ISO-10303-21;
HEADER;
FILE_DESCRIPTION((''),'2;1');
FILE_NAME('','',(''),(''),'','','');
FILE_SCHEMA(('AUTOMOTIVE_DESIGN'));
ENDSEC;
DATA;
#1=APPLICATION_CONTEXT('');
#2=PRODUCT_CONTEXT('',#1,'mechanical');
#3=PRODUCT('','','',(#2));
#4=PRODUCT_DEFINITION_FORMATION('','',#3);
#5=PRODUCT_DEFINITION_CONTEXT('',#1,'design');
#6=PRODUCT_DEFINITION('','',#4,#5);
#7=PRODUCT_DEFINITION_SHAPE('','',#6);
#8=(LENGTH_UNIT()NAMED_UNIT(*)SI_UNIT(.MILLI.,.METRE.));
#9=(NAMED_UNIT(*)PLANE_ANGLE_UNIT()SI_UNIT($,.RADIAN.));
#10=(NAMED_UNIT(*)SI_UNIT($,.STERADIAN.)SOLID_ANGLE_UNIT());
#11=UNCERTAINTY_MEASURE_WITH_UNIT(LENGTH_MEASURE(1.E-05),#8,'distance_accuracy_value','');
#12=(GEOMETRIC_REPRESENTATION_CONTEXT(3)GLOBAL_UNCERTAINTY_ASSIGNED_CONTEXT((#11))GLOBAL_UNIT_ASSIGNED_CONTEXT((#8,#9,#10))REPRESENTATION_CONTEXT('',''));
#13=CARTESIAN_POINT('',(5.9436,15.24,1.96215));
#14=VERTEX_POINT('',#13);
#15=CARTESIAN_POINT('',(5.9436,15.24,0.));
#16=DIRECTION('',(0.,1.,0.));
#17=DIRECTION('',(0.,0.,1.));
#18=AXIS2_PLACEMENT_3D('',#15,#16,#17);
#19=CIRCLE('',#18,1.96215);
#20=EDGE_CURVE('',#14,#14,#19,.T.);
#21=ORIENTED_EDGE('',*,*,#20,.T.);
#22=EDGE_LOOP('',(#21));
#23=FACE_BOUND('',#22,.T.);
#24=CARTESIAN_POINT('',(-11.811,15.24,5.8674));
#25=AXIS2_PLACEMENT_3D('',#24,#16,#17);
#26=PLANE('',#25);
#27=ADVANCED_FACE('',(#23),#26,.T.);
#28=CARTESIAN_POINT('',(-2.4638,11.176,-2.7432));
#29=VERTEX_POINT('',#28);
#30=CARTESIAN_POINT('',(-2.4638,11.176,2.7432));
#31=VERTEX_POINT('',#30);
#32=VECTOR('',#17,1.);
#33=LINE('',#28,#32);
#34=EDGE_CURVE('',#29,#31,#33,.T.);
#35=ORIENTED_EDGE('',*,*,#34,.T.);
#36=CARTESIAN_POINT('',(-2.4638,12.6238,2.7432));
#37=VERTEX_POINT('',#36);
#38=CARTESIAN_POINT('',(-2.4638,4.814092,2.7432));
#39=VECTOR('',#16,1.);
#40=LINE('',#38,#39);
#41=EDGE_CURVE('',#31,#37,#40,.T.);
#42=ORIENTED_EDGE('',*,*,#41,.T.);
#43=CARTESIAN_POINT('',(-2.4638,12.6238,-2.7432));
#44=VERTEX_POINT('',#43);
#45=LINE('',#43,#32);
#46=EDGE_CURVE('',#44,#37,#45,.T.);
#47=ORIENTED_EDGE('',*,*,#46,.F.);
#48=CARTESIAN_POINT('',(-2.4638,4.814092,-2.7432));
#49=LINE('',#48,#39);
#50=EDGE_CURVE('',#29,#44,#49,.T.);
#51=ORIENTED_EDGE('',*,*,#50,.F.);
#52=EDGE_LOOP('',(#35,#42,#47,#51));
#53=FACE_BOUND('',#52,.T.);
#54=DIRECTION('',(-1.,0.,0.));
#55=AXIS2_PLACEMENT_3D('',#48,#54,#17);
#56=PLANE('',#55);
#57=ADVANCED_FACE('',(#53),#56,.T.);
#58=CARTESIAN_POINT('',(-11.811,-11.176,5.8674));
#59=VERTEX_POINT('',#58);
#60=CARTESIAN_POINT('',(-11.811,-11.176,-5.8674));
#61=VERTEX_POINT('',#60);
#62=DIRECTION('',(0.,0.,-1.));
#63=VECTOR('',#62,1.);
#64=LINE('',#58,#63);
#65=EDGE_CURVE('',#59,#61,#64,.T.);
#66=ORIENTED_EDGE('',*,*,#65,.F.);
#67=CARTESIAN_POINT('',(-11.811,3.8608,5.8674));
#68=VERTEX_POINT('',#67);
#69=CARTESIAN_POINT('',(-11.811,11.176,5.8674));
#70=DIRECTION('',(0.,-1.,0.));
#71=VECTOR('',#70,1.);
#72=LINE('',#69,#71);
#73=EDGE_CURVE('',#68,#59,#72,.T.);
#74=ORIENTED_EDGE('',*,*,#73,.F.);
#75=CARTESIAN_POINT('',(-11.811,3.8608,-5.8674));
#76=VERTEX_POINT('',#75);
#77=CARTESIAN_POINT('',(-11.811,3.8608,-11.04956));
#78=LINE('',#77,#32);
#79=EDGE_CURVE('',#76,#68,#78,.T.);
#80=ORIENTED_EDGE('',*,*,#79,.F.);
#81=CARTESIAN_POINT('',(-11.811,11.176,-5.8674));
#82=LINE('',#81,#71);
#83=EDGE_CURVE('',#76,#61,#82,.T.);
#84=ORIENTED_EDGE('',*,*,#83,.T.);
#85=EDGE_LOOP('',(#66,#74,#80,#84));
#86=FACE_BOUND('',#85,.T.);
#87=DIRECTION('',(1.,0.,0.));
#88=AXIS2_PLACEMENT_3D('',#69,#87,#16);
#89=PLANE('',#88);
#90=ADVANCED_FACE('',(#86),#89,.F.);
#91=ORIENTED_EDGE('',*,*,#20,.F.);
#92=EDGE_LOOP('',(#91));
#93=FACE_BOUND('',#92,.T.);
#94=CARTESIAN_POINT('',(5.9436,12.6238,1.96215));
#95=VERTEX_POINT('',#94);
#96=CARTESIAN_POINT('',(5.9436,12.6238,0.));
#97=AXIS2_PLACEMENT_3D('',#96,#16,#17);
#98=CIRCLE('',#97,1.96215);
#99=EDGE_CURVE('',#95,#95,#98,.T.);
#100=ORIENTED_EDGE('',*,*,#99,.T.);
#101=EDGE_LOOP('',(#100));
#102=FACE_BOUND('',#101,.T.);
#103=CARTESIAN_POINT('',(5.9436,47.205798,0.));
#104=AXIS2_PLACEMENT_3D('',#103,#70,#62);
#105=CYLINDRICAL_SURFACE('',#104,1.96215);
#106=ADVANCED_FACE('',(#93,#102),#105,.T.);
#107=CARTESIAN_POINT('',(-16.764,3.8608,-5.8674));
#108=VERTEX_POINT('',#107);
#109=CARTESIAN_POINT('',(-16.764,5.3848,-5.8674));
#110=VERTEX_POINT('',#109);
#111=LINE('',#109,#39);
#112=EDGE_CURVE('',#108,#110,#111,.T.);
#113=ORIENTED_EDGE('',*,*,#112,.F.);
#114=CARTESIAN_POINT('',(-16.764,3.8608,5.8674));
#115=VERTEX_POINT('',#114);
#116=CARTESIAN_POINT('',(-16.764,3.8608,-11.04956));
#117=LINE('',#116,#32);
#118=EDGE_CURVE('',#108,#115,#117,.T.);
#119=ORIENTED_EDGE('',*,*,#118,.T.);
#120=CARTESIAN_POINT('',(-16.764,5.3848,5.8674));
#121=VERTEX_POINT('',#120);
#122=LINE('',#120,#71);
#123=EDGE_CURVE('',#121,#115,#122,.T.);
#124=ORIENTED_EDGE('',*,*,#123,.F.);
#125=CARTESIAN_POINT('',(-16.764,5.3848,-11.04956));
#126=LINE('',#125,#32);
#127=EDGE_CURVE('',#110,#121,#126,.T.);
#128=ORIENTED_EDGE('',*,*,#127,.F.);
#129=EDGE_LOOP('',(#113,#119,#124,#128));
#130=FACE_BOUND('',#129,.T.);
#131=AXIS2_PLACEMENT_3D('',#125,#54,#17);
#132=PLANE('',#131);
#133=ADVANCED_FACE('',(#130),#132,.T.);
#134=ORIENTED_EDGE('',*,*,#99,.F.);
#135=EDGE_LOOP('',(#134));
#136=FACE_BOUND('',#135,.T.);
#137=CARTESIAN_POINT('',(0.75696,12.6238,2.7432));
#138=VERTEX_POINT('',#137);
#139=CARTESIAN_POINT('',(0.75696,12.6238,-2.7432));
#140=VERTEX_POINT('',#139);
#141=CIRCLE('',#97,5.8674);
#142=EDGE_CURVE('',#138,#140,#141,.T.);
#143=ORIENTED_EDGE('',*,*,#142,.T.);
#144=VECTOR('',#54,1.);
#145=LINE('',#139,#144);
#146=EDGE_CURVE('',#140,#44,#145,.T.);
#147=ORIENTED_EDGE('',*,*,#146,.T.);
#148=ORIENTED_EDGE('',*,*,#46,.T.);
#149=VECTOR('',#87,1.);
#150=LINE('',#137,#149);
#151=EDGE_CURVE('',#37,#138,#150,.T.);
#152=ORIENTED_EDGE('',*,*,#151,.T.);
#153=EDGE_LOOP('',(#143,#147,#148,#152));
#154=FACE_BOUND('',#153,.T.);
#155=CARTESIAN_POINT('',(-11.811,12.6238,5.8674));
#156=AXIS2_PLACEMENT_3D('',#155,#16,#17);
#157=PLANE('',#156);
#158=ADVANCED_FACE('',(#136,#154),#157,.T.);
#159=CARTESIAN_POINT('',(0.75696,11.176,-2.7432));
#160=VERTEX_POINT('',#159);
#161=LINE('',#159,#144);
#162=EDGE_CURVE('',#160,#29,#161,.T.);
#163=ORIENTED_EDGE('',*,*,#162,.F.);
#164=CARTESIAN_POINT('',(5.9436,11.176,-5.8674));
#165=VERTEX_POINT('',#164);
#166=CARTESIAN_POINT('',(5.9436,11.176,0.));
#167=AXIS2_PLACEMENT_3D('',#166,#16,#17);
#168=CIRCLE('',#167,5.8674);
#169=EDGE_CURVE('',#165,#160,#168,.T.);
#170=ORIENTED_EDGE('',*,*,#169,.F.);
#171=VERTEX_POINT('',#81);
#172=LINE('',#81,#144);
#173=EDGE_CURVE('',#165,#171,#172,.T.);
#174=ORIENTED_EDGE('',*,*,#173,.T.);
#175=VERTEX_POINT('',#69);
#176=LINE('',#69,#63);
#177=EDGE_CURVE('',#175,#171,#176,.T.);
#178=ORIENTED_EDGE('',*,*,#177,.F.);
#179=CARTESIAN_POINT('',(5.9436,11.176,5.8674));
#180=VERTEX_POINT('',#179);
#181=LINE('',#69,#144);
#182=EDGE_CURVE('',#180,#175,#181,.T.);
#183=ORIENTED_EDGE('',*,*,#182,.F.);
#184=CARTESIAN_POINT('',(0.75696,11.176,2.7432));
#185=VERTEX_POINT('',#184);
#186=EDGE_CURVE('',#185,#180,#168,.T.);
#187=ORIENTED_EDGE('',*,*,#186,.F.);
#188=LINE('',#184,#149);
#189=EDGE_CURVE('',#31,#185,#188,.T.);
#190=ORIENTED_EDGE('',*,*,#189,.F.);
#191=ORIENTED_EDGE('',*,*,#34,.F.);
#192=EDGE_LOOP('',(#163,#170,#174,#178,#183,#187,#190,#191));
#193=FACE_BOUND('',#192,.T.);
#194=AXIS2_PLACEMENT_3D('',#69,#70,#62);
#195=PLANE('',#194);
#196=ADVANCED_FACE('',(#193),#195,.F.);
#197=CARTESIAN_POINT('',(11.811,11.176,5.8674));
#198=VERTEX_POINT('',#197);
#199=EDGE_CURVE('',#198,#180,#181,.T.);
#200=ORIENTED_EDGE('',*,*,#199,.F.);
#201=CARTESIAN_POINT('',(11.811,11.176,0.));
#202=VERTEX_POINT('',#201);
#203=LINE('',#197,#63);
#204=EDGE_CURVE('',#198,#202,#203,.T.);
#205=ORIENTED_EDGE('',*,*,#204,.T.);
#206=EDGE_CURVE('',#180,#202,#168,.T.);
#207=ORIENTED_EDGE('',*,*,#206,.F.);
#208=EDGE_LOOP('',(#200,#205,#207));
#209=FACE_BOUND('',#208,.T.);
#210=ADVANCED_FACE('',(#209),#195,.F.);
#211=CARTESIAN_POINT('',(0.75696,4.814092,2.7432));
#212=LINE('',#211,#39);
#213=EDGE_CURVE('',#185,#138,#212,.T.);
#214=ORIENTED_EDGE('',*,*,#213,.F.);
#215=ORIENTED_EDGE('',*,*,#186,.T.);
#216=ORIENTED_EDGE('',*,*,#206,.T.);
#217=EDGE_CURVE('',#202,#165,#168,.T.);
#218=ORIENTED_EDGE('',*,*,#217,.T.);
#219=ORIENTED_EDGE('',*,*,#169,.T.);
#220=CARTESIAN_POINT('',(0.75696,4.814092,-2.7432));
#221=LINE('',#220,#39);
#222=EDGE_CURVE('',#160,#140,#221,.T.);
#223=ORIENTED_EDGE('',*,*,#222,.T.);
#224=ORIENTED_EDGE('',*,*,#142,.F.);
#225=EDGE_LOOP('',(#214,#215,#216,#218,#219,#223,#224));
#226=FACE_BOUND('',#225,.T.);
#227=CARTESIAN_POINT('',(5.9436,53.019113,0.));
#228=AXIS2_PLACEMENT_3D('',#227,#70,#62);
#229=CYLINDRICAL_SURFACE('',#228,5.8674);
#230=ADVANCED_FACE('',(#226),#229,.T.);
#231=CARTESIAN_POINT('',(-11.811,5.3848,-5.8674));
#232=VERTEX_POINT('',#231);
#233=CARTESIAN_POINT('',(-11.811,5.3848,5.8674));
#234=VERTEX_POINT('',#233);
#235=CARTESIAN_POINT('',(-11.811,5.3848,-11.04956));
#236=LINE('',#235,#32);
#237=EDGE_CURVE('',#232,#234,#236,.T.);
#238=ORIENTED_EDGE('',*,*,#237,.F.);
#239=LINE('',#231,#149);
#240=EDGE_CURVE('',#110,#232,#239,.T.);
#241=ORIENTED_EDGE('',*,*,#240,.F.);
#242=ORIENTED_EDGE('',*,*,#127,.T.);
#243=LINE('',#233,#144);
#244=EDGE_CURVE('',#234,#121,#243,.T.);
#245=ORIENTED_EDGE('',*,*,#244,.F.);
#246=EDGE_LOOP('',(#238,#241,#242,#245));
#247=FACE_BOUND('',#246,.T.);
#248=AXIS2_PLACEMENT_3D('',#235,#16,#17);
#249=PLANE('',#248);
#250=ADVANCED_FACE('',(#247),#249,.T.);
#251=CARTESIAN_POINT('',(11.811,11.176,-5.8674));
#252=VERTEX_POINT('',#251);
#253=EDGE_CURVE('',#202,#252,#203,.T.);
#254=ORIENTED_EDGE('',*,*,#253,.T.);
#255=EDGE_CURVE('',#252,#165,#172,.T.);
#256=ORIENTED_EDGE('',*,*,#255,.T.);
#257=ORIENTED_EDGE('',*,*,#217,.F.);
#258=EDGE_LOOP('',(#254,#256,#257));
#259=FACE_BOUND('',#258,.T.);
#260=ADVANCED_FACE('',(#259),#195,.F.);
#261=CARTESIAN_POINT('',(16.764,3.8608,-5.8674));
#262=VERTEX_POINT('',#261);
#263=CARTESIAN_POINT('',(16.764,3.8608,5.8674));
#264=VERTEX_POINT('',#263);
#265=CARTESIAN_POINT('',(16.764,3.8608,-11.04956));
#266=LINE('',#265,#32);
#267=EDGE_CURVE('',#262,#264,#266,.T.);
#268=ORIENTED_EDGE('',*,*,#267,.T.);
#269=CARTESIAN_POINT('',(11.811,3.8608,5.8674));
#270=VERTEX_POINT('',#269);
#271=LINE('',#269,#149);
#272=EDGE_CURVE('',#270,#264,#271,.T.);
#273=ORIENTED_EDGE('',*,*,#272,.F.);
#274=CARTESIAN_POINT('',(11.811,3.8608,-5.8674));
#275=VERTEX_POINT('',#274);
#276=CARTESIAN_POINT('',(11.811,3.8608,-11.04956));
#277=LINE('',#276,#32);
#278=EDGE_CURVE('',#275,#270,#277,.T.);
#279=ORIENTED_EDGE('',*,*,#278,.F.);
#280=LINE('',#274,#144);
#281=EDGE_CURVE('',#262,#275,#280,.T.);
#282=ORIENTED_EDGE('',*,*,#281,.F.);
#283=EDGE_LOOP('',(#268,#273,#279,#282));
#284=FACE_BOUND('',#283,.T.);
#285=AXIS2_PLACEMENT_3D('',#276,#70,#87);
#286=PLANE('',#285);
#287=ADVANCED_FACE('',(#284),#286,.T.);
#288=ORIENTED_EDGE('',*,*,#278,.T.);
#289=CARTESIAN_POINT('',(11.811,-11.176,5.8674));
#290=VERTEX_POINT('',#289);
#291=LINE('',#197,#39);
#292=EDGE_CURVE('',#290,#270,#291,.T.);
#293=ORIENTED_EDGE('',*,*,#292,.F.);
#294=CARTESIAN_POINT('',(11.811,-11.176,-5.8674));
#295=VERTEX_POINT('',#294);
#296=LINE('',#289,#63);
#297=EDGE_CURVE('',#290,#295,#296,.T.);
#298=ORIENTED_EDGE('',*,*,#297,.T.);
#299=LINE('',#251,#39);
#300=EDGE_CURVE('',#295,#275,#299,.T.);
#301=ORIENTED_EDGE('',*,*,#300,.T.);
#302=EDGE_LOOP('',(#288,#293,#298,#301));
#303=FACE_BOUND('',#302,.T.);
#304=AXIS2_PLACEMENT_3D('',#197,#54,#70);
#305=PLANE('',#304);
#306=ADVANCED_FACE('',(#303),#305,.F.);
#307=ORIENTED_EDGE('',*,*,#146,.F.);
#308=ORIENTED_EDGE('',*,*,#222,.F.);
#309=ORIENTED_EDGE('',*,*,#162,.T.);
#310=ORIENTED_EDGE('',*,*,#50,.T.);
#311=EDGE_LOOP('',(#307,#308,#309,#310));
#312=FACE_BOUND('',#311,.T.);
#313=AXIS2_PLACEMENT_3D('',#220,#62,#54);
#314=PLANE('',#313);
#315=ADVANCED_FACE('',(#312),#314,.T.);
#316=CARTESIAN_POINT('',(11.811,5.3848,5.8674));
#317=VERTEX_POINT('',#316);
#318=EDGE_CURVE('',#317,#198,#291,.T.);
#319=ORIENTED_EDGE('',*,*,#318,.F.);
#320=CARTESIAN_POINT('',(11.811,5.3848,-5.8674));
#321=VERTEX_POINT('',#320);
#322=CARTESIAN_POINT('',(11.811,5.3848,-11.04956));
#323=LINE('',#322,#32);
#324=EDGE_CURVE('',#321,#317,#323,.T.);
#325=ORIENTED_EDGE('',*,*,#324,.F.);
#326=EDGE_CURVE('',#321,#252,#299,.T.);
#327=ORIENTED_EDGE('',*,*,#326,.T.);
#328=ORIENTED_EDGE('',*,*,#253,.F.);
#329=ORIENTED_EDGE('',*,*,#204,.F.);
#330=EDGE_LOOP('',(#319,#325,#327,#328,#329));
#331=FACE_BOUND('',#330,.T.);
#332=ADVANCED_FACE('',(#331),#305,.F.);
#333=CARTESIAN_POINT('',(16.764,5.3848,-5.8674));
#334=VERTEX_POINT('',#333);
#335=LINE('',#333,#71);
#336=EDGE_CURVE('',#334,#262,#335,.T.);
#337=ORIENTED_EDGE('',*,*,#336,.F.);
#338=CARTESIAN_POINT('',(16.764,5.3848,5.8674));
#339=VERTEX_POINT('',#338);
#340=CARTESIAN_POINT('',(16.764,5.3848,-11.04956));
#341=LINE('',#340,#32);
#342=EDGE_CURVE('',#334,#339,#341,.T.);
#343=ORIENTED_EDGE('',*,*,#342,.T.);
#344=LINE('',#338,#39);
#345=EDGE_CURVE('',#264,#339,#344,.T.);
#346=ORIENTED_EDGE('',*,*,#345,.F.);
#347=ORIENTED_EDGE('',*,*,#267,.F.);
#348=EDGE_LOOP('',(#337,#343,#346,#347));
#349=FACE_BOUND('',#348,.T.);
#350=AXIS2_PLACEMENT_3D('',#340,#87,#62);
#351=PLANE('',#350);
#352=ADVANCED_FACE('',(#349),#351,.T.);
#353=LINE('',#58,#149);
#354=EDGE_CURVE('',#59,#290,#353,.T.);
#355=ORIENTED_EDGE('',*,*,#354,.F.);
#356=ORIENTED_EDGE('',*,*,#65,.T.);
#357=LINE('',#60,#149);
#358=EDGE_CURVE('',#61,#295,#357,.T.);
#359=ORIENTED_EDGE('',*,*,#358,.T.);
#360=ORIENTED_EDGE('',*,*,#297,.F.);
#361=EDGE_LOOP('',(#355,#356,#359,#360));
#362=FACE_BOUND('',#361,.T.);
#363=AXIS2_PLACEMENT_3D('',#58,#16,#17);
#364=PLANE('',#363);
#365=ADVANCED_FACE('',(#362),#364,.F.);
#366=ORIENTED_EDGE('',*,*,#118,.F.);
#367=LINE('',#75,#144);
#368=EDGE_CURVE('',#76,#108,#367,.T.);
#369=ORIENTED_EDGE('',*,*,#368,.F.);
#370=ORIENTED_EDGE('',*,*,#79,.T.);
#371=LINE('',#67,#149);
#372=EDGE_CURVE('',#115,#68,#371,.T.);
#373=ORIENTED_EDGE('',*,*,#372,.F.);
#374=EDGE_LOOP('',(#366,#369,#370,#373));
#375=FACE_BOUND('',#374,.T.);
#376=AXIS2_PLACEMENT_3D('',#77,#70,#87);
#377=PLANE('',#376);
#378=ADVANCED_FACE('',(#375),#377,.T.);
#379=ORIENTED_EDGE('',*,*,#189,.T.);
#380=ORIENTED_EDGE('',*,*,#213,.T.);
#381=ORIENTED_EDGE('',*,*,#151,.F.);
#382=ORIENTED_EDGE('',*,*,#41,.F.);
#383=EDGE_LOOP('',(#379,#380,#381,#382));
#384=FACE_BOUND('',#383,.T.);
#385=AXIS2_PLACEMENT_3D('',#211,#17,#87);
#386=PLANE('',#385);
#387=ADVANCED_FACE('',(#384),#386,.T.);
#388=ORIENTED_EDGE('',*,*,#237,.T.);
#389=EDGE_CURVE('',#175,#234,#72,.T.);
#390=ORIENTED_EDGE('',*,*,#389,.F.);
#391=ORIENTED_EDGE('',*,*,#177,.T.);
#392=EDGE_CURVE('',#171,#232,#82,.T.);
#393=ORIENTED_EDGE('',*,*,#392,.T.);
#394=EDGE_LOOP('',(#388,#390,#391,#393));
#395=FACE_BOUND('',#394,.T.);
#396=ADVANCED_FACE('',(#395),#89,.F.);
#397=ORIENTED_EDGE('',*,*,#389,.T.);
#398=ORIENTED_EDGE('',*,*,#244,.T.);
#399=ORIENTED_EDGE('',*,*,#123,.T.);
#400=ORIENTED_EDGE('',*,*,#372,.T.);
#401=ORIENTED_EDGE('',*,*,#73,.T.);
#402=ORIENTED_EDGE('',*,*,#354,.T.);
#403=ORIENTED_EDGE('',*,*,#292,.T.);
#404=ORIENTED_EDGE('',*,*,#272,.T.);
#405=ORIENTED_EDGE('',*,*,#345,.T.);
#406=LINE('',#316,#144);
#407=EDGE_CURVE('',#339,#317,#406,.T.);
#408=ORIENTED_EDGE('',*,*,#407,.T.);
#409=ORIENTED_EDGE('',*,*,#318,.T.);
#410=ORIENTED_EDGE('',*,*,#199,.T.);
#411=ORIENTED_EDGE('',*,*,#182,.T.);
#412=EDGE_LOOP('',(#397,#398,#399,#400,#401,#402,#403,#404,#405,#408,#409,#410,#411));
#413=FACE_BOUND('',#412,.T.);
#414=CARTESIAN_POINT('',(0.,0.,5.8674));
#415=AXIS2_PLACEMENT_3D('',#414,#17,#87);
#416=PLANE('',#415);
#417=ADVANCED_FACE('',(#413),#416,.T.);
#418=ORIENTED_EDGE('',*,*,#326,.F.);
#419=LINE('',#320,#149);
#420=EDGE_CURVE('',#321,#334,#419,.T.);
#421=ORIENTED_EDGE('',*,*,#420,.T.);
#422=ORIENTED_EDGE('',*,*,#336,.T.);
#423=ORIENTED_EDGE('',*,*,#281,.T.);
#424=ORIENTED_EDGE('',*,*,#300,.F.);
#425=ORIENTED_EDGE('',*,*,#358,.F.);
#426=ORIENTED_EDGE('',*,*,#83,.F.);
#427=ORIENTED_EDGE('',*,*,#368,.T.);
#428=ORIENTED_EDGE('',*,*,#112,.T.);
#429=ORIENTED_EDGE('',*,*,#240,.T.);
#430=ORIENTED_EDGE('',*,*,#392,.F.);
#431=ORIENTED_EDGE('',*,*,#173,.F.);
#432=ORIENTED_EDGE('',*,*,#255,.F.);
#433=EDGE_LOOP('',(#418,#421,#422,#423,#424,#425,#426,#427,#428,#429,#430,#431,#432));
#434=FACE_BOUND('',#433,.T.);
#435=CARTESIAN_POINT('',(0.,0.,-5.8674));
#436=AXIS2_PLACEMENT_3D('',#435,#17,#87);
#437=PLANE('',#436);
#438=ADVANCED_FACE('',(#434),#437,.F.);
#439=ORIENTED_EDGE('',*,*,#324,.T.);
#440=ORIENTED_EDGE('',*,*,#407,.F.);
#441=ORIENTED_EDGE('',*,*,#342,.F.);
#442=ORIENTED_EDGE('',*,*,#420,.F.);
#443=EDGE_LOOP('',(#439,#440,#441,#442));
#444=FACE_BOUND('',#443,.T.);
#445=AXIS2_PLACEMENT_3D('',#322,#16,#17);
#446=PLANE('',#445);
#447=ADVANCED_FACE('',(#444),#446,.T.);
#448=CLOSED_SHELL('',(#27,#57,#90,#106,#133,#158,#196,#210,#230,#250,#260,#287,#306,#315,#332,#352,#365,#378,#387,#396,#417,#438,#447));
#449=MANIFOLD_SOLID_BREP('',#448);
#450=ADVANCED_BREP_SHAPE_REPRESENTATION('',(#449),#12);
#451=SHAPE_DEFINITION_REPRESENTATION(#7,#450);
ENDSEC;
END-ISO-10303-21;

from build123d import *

# Parameters (mm, degrees)
SKETCH1_W           = 23.622
SKETCH1_H           = 22.352
BOSS_EXTRUDE1_DEPTH = 5.8674
SKETCH3_W           = 4.953
SKETCH3_H           = 1.524
BOSS_EXTRUDE2_DEPTH = 11.7348
SKETCH4_R           = 5.8674
BOSS_EXTRUDE3_DEPTH = 1.4478
SKETCH5_R           = 1.96215
BOSS_EXTRUDE4_DEPTH = 2.6162
SKETCH6_W           = 3.220759804
SKETCH6_H           = 5.4864
BOSS_EXTRUDE5_DEPTH = 1.4478


with BuildPart() as part:
    # Sketch1 → Boss-Extrude1 (new body, symmetric)
    with BuildSketch(Plane.XY):
        Rectangle(SKETCH1_W, SKETCH1_H)
    extrude(amount=BOSS_EXTRUDE1_DEPTH, both=True)

    # Sketch3 → Boss-Extrude2 (add)
    with BuildSketch(Plane.XY.offset(5.8674)):
        with Locations((-14.2875, 4.6228)):
            Rectangle(SKETCH3_W, SKETCH3_H)
        with Locations((14.2875, 4.6228)):
            Rectangle(SKETCH3_W, SKETCH3_H)
    extrude(amount=-BOSS_EXTRUDE2_DEPTH)

    # Sketch4 → Boss-Extrude3 (add)
    with BuildSketch(Plane(origin=(0, 11.176, 0), x_dir=(1, 0, 0), z_dir=(0, 1, 0))):
        with Locations((5.9436, 0)):
            Circle(SKETCH4_R)
    extrude(amount=BOSS_EXTRUDE3_DEPTH)

    # Sketch5 → Boss-Extrude4 (add)
    with BuildSketch(Plane(origin=(0, 12.6238, 0), x_dir=(1, 0, 0), z_dir=(0, 1, 0))):
        with Locations((5.9436, 0)):
            Circle(SKETCH5_R)
    extrude(amount=BOSS_EXTRUDE4_DEPTH)

    # Sketch6 → Boss-Extrude5 (add)
    with BuildSketch(Plane(origin=(0, 12.6238, 0), x_dir=(1, 0, 0), z_dir=(0, 1, 0))):
        with Locations((-0.853420098, 0)):
            Rectangle(SKETCH6_W, SKETCH6_H)
    extrude(amount=-BOSS_EXTRUDE5_DEPTH)


solid = part.part
